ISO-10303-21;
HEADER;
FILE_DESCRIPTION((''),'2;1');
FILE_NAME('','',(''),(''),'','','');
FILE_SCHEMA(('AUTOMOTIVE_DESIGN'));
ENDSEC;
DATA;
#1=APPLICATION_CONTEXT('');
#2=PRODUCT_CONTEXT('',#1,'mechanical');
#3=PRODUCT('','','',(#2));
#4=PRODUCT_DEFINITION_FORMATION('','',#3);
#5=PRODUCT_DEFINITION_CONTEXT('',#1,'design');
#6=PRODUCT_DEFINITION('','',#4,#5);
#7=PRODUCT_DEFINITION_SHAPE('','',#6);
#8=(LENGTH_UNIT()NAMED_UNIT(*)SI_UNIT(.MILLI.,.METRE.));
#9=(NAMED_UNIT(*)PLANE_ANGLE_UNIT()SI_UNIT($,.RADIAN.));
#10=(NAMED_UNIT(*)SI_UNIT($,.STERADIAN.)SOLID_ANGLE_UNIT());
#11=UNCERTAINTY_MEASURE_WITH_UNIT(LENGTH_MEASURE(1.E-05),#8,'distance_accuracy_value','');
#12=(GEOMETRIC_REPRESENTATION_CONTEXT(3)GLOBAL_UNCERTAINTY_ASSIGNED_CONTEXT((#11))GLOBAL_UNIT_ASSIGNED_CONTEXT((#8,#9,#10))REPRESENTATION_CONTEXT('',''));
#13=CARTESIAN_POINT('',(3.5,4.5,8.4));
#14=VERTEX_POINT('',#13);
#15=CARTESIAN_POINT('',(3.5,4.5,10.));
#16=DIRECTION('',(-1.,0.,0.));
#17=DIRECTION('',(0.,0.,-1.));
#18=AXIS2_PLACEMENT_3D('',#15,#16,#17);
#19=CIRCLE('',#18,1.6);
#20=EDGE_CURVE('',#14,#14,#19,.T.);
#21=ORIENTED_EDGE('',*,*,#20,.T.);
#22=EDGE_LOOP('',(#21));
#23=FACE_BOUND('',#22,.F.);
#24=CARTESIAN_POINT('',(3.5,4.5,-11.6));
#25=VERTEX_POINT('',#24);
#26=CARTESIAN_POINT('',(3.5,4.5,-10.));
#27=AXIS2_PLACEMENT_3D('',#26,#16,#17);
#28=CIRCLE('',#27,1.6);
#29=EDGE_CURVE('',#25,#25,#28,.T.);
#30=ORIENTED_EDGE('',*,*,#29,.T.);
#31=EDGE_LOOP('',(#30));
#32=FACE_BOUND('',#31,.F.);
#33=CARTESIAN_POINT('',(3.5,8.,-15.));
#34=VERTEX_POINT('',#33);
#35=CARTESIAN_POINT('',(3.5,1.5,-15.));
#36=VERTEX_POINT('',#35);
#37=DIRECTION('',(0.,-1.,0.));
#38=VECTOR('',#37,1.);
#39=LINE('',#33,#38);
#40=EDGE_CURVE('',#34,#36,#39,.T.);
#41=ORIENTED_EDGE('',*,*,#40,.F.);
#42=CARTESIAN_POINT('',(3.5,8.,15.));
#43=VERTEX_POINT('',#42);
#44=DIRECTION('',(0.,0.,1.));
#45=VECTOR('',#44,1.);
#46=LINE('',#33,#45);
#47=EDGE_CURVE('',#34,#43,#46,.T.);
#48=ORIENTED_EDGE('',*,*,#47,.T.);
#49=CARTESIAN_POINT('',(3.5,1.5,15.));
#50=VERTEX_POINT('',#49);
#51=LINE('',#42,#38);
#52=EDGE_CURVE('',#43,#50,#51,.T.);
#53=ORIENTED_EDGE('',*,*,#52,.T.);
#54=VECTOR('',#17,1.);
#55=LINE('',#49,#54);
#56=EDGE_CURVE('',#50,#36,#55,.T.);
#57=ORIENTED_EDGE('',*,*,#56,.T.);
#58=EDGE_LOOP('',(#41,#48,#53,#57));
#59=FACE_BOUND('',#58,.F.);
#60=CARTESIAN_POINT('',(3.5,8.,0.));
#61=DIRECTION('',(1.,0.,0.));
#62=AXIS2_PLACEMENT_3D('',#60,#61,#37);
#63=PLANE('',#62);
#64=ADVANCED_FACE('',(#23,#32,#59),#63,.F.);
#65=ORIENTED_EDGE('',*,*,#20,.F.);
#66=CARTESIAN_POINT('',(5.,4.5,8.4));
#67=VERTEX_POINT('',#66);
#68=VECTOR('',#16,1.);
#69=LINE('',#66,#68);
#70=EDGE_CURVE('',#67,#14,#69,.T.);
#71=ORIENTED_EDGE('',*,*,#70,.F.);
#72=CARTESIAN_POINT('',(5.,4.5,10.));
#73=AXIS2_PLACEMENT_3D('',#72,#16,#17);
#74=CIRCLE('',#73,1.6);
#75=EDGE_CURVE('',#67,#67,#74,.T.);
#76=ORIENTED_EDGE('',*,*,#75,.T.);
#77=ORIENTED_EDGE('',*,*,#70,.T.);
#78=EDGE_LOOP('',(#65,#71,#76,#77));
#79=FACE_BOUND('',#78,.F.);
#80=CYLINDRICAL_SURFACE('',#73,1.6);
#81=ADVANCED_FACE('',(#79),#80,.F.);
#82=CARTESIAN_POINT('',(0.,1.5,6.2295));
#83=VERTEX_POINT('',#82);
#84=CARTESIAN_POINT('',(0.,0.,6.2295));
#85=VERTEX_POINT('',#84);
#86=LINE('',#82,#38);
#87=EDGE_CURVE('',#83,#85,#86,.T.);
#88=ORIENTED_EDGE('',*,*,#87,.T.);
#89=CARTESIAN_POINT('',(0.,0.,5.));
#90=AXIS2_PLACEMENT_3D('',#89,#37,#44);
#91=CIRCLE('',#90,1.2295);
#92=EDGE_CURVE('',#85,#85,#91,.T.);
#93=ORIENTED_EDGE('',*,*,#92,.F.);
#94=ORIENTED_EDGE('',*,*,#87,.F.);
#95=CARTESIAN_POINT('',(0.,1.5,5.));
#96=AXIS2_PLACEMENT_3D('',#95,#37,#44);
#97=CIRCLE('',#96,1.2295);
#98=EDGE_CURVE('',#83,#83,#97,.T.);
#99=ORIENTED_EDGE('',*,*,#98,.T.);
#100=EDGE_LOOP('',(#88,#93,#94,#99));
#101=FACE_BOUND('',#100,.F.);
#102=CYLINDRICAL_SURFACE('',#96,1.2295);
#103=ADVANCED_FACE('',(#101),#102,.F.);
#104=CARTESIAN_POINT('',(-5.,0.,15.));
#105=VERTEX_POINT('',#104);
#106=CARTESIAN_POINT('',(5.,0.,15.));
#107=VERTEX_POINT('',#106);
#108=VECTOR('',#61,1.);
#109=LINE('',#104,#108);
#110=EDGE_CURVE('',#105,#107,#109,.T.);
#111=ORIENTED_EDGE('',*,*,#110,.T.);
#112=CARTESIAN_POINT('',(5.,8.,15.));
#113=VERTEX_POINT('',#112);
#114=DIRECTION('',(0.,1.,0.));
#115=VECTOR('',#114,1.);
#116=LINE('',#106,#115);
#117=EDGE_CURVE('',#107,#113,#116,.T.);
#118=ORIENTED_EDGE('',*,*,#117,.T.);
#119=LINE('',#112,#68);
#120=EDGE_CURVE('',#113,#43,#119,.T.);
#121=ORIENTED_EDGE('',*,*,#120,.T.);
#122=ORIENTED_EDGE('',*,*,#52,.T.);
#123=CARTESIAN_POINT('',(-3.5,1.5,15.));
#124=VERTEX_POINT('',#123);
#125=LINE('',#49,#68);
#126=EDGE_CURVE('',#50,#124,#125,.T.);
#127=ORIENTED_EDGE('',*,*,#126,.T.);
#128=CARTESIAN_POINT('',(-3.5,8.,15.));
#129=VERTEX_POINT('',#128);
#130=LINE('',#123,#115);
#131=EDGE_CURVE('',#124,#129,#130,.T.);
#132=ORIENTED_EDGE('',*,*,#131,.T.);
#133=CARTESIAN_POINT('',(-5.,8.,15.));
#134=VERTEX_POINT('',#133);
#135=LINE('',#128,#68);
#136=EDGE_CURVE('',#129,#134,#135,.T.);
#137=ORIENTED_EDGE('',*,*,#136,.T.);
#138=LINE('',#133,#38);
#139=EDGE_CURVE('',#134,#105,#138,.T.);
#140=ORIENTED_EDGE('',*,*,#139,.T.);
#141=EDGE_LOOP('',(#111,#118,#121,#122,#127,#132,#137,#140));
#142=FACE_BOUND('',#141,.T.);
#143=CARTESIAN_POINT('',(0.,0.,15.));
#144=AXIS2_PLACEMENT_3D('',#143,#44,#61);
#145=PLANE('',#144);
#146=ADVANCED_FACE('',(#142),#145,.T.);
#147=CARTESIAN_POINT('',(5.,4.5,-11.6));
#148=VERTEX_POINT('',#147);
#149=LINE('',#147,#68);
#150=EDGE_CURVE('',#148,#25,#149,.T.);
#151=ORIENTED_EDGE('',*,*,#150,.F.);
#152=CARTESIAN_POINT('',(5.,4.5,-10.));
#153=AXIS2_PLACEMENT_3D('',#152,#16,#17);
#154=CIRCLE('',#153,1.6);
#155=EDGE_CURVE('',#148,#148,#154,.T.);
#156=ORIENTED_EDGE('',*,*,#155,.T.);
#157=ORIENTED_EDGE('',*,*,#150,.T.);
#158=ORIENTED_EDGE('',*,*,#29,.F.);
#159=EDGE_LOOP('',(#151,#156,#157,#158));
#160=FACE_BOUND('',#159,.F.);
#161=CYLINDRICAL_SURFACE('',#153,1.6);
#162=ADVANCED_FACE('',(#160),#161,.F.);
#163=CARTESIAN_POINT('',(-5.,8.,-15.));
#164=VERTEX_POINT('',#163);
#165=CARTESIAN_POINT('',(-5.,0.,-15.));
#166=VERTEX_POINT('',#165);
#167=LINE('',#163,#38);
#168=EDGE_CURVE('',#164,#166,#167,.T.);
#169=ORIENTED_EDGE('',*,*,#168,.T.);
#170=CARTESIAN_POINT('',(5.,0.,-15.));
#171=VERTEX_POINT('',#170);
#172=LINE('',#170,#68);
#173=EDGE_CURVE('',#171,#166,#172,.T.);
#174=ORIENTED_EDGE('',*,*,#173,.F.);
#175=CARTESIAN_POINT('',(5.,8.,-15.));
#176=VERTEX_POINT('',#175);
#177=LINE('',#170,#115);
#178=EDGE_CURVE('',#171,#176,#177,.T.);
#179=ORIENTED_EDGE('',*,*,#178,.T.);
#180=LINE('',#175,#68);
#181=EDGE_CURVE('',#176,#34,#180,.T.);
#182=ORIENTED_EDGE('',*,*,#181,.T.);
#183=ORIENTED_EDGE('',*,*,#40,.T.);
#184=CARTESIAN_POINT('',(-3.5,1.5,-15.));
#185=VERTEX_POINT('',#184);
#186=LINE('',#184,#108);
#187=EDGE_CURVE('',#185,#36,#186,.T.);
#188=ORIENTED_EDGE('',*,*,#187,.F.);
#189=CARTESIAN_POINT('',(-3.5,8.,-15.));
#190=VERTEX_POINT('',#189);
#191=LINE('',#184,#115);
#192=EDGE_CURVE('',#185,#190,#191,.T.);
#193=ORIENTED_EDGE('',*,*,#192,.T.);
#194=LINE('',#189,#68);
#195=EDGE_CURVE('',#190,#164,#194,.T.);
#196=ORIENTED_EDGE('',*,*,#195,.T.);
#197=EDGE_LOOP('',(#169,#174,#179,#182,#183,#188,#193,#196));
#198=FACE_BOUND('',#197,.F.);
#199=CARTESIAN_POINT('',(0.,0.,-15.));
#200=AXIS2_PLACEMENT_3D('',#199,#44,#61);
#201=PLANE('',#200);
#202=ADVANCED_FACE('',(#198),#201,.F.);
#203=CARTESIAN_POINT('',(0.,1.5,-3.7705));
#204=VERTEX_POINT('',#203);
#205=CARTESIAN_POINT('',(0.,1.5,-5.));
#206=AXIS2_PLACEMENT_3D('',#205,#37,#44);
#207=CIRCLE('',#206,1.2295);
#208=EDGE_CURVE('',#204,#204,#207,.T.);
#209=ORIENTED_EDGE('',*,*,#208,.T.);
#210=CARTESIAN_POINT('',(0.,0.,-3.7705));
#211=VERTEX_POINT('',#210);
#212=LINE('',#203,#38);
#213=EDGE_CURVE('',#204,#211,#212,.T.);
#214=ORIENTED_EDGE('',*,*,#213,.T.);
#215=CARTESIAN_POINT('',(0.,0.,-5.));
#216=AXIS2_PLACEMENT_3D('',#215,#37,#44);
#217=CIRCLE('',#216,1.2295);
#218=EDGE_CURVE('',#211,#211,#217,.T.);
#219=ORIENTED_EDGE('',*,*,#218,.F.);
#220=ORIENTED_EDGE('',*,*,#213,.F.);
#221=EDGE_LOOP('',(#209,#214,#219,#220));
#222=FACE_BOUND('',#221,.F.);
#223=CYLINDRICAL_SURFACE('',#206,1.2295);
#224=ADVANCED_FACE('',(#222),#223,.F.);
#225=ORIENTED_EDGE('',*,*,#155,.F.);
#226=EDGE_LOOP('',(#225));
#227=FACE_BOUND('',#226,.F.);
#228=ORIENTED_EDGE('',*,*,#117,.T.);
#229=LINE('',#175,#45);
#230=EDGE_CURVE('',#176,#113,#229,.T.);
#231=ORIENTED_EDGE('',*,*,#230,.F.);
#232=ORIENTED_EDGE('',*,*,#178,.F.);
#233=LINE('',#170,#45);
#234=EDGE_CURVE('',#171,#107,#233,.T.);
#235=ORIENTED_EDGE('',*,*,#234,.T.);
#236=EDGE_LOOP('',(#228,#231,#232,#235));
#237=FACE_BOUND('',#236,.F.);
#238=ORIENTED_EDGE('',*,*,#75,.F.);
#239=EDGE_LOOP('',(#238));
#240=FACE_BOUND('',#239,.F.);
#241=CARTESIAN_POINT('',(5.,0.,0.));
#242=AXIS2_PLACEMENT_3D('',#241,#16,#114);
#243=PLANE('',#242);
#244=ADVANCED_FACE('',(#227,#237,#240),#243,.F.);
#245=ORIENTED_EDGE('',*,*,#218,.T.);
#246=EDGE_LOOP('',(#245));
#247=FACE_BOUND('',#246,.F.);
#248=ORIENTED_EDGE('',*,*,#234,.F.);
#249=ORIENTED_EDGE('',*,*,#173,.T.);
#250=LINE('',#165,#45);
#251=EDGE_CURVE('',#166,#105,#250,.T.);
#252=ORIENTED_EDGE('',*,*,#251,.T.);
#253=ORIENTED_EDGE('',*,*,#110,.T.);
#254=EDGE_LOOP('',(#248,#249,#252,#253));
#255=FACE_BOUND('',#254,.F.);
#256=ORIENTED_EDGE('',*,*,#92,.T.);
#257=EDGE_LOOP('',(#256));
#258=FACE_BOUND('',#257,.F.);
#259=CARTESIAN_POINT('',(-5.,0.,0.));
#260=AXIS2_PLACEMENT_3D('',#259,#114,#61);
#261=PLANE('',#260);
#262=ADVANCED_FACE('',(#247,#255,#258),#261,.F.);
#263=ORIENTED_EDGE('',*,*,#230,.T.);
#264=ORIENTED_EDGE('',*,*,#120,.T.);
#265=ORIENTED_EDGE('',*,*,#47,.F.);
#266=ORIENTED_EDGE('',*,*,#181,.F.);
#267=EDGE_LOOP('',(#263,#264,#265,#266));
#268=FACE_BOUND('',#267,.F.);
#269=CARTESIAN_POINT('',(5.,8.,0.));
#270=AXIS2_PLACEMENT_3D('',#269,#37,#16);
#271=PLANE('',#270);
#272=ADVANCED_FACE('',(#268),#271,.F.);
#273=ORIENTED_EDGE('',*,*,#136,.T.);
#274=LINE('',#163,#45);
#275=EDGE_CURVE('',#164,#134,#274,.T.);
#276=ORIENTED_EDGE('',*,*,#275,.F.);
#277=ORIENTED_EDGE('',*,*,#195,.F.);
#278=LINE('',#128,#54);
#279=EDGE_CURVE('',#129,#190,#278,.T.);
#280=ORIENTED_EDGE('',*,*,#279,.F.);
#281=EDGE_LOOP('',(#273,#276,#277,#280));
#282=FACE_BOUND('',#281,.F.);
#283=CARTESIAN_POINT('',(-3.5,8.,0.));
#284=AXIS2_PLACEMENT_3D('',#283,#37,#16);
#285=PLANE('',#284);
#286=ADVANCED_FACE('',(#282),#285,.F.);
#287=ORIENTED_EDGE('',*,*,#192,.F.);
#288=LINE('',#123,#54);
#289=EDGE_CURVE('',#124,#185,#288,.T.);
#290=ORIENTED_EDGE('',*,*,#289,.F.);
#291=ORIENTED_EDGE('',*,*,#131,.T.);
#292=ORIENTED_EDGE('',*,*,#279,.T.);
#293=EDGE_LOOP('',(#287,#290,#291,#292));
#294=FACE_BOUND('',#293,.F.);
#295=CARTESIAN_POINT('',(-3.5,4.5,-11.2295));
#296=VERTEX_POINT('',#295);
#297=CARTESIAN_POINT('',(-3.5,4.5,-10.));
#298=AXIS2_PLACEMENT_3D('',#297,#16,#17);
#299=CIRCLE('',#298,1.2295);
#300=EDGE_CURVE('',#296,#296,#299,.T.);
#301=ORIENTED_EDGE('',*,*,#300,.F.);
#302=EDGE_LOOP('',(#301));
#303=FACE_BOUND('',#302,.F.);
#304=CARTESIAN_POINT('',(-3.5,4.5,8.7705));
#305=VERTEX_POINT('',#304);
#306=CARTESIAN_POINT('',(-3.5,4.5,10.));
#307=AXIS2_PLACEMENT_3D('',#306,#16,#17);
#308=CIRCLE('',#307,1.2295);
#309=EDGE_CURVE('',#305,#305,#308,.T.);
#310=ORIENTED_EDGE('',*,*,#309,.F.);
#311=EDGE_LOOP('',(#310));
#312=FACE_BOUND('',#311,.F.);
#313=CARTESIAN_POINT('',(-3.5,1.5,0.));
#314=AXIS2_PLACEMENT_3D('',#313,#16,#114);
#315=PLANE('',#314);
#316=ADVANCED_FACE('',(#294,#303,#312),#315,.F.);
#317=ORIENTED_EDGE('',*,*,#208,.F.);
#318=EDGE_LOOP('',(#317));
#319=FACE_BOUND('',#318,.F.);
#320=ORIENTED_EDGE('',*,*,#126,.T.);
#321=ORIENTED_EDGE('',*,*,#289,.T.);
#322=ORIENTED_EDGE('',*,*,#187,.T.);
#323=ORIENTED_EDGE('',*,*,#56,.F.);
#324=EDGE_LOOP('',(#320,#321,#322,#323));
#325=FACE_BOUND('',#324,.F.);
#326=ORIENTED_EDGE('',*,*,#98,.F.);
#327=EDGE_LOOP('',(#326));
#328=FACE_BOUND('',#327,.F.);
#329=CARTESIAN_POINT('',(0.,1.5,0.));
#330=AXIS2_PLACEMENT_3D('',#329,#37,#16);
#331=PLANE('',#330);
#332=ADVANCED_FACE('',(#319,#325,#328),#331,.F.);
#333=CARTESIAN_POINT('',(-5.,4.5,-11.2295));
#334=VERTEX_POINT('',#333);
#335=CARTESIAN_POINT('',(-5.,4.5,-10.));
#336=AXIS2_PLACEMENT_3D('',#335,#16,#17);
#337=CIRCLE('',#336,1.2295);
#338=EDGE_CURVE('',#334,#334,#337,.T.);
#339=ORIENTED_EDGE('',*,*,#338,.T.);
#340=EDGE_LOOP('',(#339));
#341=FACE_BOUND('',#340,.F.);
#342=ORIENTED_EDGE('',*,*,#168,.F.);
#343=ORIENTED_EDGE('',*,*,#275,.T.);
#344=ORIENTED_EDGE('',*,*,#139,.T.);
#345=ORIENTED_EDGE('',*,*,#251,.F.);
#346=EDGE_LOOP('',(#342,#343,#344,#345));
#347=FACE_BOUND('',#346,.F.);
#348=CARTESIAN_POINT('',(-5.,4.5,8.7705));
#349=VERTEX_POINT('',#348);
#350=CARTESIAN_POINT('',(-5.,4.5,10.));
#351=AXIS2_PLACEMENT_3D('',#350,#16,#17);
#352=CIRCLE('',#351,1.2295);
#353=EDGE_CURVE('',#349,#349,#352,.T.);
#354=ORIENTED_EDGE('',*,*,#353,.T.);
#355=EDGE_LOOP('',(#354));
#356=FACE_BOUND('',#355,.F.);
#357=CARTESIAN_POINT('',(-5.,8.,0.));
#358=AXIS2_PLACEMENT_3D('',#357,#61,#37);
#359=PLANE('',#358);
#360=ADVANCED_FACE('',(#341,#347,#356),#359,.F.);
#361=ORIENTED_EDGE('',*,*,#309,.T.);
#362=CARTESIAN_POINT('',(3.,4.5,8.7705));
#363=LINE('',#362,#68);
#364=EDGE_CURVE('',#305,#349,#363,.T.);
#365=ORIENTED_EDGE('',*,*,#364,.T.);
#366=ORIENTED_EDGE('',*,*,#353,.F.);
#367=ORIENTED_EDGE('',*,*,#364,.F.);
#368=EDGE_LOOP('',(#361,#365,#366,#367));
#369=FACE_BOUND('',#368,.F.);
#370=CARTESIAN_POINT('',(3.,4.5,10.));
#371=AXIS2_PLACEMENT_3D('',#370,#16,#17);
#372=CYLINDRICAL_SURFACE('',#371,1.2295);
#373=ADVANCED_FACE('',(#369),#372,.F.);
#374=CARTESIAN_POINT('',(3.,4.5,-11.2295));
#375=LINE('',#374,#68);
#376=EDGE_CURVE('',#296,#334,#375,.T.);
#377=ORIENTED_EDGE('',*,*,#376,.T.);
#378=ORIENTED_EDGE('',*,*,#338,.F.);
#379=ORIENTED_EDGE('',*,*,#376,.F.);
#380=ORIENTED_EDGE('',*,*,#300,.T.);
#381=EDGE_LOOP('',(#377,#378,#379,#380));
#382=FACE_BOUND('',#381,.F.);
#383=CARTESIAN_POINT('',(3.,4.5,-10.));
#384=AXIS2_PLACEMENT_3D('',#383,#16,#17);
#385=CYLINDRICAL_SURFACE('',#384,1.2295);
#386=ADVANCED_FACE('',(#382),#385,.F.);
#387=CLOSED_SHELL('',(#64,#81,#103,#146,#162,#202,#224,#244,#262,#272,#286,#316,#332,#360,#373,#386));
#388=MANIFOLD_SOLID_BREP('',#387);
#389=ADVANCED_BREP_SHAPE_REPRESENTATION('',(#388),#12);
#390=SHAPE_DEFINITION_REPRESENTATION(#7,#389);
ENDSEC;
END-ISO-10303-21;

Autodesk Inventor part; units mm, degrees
ref_plane "YZ Plane" through (0, 0, 0) normal (1, 0, 0) x (0, 1, 0)
ref_plane "XZ Plane" through (0, 0, 0) normal (0, 1, 0) x (-1, 0, 0)
ref_plane "XY Plane" through (0, 0, 0) normal (0, 0, 1) x (1, 0, 0)
sketch "Náčrt1" plane through (0, 0, 0) normal (0, 0, 1) x (1, 0, 0)
  line L0 (-5, 8) -> (-5, 0)
  line L1 (-5, 0) -> (5, 0)
  line L2 (5, 0) -> (5, 8)
  line L3 (5, 8) -> (3.5, 8)
  line L4 (3.5, 8) -> (3.5, 1.5)
  line L5 (3.5, 1.5) -> (-3.5, 1.5)
  line L6 (-3.5, 1.5) -> (-3.5, 8)
  line L7 (-3.5, 8) -> (-5, 8)
  line L8 (-7, 0) -> (7, 0) projected
  line L9 (0, 9.6) -> (0, -1.6) projected
  point P0 (0, 0)
  dimension "d0" = 8
  dimension "d1" = 10
  dimension "d2" = 1.5
  dimension "d3" = 1.5
  dimension "d4" = 1.5
extrude "Vysunutí1" add sketch "Náčrt1" along normal mid plane 30
sketch "Náčrt2" plane through (5, 0, 15) normal (1, 0, 0) x (0, 0, -1)
  line L0 (30, 8) -> (30, 0) projected
  line L1 (0, 0) -> (0, 8) projected
  line L2 (30, 8) -> (0, 8) projected
  point P0 (15, 0)
  point P1 (5, 4.5)
  point P2 (25, 4.5)
  dimension "d7" = 5
  dimension "d8" = 5
  dimension "d9" = 3.5
  dimension "d10" = 3.5
hole "Díra1" at (5, 4.5, 10) at (5, 4.5, -10) direction (-1, 0, 0) diameter 2.459 end through all counterbore diameter 3.2 counterbore depth 2 thread size "M3x0.5" class "6H" standard "ISO Metric profile"
sketch "Náčrt3" plane through (-3.5, 1.5, 15) normal (0, 1, 0) x (1, 0, 0)
  line L0 (0, 30) -> (0, 0) projected
  point P0 (3.5, 15)
  point P1 (3.5, 10)
  point P2 (3.5, 20)
  dimension "d18" = 10
  dimension "d19" = 5
  dimension "d20" = 3.5
  dimension "d21" = 3.5
hole "Díra2" at (0, 1.5, 5) at (0, 1.5, -5) direction (0, -1, 0) diameter 2.459 end through all thread size "M3x0.5" class "6H" standard "ISO Metric profile"
properties part number "y_belt_anchor" material "Hliník 6061"
